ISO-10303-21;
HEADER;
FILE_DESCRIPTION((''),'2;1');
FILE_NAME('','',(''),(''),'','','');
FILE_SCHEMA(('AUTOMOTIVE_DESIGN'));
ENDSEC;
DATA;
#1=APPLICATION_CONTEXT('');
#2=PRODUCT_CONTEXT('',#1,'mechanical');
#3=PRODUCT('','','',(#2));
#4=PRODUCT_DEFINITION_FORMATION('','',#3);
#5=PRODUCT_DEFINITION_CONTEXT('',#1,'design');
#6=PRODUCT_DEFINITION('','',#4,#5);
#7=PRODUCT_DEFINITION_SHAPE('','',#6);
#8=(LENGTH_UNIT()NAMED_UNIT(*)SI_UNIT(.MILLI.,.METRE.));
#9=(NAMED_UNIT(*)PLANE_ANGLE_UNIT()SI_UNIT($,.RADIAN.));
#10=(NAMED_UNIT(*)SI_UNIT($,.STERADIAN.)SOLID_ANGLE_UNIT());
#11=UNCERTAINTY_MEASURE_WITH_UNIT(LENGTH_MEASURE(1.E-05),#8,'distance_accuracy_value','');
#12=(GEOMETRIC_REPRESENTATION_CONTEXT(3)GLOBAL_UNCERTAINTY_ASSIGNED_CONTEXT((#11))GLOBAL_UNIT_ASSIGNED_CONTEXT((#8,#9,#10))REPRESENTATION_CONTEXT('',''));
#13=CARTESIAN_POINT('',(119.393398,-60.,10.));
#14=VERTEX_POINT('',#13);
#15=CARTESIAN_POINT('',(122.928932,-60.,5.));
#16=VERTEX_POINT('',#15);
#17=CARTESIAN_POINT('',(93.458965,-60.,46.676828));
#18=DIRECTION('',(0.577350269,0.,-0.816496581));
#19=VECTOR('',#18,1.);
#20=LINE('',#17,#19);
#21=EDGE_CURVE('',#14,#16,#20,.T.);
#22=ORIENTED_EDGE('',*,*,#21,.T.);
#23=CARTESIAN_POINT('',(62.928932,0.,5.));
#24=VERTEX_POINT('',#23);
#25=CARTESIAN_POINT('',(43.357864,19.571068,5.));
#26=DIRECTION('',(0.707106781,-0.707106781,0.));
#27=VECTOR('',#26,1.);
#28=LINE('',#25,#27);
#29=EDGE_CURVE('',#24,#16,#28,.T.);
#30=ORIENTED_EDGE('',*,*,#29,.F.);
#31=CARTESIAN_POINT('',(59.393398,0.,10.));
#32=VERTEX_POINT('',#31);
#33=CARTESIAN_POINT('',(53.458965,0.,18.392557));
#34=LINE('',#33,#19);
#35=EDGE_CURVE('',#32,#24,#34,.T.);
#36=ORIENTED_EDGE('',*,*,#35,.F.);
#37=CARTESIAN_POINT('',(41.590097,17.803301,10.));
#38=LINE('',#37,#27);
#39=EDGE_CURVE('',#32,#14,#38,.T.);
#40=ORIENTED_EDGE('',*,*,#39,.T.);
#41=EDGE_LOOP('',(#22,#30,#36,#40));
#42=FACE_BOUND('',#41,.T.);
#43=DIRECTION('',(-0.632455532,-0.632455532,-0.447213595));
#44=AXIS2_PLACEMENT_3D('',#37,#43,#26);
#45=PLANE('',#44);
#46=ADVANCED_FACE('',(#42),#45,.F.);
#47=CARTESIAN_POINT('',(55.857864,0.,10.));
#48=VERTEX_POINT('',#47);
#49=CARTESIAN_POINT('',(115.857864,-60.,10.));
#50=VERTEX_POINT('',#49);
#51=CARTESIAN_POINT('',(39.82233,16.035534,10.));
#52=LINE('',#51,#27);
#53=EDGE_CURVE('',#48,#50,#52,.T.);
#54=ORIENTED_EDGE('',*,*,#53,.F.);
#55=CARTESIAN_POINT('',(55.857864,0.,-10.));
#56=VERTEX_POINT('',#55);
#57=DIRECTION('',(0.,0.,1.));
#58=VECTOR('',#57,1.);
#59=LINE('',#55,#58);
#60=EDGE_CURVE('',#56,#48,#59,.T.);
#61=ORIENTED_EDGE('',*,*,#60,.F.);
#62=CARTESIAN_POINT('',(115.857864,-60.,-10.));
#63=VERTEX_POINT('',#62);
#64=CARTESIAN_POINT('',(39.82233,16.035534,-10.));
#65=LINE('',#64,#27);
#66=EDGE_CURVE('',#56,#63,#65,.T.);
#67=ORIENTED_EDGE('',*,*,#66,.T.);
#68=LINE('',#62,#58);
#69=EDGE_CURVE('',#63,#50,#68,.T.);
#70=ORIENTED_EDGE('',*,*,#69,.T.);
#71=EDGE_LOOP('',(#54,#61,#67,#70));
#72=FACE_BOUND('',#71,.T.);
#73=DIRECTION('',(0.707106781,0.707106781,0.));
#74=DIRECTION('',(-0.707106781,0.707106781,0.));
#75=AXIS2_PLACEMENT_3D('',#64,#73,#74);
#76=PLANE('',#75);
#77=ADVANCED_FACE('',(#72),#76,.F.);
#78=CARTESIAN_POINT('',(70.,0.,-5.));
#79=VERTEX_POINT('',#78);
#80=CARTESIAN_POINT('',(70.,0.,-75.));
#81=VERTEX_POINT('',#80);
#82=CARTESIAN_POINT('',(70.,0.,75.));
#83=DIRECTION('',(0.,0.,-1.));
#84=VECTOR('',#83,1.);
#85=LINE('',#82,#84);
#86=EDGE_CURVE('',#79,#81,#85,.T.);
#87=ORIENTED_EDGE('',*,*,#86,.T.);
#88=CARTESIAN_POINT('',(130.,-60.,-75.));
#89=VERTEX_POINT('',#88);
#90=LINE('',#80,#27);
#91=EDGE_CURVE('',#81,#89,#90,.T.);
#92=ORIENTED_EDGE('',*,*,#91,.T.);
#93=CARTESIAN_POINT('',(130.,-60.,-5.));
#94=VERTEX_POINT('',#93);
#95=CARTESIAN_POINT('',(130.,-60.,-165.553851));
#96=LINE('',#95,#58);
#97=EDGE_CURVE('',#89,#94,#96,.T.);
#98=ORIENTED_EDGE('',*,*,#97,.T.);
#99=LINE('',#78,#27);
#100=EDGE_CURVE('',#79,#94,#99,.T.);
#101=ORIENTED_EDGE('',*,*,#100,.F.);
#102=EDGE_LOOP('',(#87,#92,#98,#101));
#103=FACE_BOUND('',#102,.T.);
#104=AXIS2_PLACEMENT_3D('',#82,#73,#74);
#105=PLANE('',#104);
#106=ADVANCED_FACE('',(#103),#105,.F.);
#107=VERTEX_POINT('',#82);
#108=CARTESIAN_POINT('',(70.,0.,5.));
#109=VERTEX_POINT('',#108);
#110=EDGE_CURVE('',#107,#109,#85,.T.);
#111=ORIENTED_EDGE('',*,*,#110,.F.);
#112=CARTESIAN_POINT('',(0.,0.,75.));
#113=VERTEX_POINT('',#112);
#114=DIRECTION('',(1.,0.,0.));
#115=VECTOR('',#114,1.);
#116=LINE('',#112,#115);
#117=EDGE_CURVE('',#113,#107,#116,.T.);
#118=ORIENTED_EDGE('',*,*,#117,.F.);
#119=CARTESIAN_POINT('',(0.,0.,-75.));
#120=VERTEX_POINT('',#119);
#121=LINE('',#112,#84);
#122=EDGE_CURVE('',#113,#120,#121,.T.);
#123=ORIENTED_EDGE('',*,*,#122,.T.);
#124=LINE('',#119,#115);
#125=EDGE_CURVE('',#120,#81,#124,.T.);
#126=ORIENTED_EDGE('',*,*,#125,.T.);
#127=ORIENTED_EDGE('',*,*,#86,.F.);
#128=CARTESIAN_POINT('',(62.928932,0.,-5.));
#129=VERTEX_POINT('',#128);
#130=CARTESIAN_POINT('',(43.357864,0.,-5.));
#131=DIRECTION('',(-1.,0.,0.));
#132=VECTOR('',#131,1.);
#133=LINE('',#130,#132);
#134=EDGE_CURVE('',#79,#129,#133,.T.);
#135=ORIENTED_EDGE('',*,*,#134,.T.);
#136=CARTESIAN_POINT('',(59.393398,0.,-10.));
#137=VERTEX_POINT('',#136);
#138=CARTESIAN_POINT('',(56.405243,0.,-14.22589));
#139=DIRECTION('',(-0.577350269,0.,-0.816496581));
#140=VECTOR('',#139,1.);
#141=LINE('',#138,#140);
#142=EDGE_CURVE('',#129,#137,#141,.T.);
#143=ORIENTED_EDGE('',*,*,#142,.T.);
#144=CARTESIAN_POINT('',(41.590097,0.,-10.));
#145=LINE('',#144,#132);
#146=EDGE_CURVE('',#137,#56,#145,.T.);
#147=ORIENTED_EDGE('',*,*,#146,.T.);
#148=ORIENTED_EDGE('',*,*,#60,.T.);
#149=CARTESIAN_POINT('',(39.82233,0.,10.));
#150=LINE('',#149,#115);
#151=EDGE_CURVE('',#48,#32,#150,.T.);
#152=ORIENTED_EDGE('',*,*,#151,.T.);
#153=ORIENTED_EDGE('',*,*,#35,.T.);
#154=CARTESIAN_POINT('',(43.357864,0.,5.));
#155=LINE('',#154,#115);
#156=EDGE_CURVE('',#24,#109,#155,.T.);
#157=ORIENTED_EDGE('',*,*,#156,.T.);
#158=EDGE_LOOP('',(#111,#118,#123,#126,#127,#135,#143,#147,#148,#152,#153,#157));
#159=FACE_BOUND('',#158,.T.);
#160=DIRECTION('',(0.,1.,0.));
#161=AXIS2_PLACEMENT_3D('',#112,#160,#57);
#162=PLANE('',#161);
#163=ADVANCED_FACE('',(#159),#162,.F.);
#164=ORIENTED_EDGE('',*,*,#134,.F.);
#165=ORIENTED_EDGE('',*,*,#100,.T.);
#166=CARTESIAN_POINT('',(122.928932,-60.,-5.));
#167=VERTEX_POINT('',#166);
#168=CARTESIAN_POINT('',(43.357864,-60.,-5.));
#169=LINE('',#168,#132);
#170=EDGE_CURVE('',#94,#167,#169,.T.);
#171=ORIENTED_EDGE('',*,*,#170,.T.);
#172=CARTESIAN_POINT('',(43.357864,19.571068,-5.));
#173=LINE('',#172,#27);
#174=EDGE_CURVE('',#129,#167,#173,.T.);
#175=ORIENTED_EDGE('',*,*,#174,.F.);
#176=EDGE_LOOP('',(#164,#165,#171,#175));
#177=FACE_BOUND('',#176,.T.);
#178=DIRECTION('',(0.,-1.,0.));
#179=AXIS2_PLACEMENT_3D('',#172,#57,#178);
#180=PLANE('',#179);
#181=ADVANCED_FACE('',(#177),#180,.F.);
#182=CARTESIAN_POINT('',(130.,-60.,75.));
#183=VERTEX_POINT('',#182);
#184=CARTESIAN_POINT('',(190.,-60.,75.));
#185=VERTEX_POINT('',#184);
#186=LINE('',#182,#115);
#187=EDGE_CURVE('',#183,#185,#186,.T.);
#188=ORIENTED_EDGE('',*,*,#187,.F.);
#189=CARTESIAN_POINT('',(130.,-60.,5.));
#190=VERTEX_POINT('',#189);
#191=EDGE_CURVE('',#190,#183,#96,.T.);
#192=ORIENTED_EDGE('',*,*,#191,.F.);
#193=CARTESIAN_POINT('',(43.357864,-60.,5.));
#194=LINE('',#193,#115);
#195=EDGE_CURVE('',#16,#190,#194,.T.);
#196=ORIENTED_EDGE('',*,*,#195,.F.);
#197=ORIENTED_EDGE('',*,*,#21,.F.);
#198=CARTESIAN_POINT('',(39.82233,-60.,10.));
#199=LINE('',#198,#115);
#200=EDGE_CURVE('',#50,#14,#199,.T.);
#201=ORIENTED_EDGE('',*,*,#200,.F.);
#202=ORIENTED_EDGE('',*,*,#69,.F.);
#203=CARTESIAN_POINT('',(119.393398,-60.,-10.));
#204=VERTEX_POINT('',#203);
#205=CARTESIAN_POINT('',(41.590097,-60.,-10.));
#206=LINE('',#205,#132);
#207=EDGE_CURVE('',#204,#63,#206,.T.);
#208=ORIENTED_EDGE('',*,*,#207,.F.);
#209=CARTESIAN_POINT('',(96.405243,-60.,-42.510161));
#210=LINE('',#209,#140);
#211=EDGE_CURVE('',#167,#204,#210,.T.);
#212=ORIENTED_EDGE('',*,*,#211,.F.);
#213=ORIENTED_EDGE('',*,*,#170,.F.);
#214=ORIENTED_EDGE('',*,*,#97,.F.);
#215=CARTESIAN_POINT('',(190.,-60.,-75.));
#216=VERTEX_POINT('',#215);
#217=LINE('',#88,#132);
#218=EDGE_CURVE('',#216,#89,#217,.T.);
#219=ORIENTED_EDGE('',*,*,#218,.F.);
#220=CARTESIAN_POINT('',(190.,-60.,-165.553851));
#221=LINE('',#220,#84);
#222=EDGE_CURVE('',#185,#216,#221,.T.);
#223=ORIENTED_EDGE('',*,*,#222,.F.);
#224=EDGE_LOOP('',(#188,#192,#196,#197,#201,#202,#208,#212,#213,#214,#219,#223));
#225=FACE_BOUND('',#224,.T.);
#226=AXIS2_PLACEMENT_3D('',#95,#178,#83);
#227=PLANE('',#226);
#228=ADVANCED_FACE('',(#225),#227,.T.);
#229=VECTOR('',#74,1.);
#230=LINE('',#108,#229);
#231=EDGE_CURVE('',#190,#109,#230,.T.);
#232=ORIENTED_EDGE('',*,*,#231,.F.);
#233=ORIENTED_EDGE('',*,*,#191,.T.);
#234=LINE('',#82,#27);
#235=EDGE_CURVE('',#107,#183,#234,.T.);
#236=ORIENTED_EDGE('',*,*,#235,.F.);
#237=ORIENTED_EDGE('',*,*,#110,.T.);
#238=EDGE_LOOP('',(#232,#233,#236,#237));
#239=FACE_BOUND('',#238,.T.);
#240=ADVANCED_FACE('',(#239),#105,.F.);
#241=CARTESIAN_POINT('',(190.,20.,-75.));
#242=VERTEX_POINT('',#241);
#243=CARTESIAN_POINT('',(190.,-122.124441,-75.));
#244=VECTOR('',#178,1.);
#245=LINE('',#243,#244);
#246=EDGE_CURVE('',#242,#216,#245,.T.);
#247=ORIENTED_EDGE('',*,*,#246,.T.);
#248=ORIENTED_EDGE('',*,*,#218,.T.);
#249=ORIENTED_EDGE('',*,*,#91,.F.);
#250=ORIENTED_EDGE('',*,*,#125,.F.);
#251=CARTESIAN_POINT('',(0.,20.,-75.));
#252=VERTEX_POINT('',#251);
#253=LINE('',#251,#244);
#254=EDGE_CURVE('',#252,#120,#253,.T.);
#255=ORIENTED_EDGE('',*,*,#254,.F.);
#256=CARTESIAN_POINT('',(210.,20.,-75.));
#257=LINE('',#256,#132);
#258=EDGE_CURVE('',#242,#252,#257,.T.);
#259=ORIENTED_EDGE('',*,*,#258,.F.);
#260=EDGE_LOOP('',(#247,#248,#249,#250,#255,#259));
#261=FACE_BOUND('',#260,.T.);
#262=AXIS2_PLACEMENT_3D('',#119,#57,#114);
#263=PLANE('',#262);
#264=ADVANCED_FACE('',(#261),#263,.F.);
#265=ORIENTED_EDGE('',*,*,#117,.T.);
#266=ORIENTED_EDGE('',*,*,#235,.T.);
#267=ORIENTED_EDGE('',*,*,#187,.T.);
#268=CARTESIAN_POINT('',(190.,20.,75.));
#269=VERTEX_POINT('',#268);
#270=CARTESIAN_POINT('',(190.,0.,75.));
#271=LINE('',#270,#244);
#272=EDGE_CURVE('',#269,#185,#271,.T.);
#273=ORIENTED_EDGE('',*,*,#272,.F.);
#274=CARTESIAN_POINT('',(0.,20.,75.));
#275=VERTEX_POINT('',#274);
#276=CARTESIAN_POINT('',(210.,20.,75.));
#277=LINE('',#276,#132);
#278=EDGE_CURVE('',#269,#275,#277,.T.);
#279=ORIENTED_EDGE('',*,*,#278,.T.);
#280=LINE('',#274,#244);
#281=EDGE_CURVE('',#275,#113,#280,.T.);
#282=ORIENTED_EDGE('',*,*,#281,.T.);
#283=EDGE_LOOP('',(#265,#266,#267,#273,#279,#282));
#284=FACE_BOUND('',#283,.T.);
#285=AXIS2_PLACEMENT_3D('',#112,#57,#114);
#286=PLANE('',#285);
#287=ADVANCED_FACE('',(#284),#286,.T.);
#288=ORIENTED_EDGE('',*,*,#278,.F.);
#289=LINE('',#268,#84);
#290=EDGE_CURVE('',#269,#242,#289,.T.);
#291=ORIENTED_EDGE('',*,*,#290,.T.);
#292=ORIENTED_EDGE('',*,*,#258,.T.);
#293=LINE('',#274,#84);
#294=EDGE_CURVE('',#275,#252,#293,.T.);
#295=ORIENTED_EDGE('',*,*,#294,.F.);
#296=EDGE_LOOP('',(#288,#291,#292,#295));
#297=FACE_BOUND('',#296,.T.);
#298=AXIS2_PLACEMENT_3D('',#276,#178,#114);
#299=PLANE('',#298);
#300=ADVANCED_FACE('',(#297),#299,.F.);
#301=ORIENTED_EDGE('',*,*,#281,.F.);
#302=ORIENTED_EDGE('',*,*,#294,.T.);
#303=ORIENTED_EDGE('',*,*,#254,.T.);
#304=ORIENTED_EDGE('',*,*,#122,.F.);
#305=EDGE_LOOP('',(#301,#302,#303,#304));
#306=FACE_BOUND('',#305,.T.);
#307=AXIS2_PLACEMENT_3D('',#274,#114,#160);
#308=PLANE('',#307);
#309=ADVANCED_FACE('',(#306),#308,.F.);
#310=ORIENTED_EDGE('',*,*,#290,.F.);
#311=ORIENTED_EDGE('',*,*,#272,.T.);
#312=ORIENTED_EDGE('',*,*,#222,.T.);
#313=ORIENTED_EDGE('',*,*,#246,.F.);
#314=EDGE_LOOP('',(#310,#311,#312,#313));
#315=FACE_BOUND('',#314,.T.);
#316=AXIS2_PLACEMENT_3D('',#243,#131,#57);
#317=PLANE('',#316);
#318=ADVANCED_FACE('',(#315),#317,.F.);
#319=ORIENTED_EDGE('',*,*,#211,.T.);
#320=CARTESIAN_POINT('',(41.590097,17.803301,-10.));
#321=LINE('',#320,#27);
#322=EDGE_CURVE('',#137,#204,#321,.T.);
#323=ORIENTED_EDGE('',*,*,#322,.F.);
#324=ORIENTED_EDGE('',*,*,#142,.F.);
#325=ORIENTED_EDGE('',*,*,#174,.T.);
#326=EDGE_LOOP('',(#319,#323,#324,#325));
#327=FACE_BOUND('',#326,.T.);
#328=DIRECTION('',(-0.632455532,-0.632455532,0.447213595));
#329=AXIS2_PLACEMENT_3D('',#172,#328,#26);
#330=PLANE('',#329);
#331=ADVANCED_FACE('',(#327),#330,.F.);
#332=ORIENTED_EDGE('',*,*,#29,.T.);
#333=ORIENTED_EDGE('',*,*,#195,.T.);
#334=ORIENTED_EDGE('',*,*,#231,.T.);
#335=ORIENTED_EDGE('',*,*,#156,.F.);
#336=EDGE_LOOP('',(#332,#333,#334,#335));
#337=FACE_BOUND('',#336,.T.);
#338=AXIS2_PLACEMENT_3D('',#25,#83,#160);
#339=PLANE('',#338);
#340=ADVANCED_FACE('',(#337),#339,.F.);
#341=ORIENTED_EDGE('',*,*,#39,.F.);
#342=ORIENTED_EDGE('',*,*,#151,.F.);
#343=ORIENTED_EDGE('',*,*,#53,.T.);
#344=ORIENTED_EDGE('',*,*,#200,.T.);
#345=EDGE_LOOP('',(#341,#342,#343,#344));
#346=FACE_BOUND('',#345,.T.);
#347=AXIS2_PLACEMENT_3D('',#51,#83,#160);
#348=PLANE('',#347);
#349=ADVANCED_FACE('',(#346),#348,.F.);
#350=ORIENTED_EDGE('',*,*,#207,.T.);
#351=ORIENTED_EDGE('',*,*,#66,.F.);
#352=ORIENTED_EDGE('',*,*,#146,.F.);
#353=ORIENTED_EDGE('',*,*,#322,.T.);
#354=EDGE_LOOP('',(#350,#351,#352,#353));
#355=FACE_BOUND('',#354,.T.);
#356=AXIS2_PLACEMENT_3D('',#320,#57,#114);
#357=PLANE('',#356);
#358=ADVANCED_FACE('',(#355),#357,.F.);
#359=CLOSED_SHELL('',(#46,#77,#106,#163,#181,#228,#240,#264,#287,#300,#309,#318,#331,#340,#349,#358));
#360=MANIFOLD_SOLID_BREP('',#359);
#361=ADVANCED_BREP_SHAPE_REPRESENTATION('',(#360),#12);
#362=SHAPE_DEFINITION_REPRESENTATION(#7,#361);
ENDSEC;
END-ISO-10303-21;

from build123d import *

# Parameters (mm, degrees)
EXTRUDE_1_DEPTH          = 75
EXTRUDE_2_REACH          = 181.652
EXTRUDE_3_DEPTH          = 150
EXTRUDE_4_DEPTH          = 14.142135624
CUT_EXTRUDE_2_DEPTH      = 267.643072547
CUT_EXTRUDE_2_DEPTH_BACK = 267.643072547
SKETCH_5_W               = 110.242252028
SKETCH_5_H               = 36.038971429
CUT_EXTRUDE_3_DEPTH      = 265.95282599
CUT_EXTRUDE_3_DEPTH_BACK = 265.95282599
SKETCH_6_W               = 40.565596645
SKETCH_6_H               = 160.869683045


with BuildPart() as part:
    # 草图1 → 凸台-拉伸1 (new, symmetric)
    with BuildSketch(Plane.XY):
        Polygon((0, 0), (70, 0), (120, -50), (210, -50), (210, 20), (0, 20), align=None)
    extrude(amount=EXTRUDE_1_DEPTH, both=True)

    # 凸台-拉伸2: up to this plane
    extrude_2_end = Plane(origin=(0, 0, 75), z_dir=(0, 1, 0))
    # 草图2 → 凸台-拉伸2 (add, up to the surface)
    with BuildSketch(Plane(origin=(85, -85, 0), x_dir=(0, 0, -1), z_dir=(-0.7071067811865562, 0.7071067811865388, 0)), mode=Mode.PRIVATE) as extrude_2_sk1:
        Polygon((5, -44.497474683), (10, -41.997474683), (10, -39.497474683), (-10, -39.497474683), (-10, -41.997474683), (-5, -44.497474683), (-5, -54.497474683), (5, -54.497474683), align=None)
    extrude_2_tool1 = split(extrude(extrude_2_sk1.sketch, amount=EXTRUDE_2_REACH, mode=Mode.PRIVATE), bisect_by=extrude_2_end, keep=Keep.BOTH, mode=Mode.PRIVATE)
    add(extrude_2_tool1.solids().sort_by_distance((117.446559, -52.553441, 0))[0])

    # 草图4 → 凸台-拉伸3 (add)
    with BuildSketch(Plane.XY.offset(75)):
        Polygon((120, -50), (130, -60), (210, -60), (210, -50), align=None)
    extrude(amount=-EXTRUDE_3_DEPTH)

    # 草图2<2> → 凸台-拉伸4 (add)
    with BuildSketch(Plane(origin=(85, -85, 0), x_dir=(0, 0, -1), z_dir=(-0.7071067811865562, 0.7071067811865388, 0))):
        Polygon((5, -44.497474683), (10, -41.997474683), (10, -39.497474683), (-10, -39.497474683), (-10, -41.997474683), (-5, -44.497474683), (-5, -54.497474683), (5, -54.497474683), align=None)
    extrude(amount=-EXTRUDE_4_DEPTH)

    # 草图5 → 切除-拉伸2 (cut, two sides: drawn at the far end of the back side and taken through both)
    with BuildSketch(Plane(origin=(0, 0, -75), x_dir=(-1, 0, 0), z_dir=(0, 0, -1)).offset(-CUT_EXTRUDE_2_DEPTH_BACK)):
        with Locations((-132.449509919, -78.019485715)):
            Rectangle(SKETCH_5_W, SKETCH_5_H)
    extrude(amount=CUT_EXTRUDE_2_DEPTH + CUT_EXTRUDE_2_DEPTH_BACK, mode=Mode.SUBTRACT)

    # 草图6 → 切除-拉伸3 (cut, two sides: drawn at the far end of the back side and taken through both)
    with BuildSketch(Plane.XY.offset(75).offset(-CUT_EXTRUDE_3_DEPTH_BACK)):
        with Locations((210.282798323, -41.689599735)):
            Rectangle(SKETCH_6_W, SKETCH_6_H)
    extrude(amount=CUT_EXTRUDE_3_DEPTH + CUT_EXTRUDE_3_DEPTH_BACK, mode=Mode.SUBTRACT)


solid = part.part
